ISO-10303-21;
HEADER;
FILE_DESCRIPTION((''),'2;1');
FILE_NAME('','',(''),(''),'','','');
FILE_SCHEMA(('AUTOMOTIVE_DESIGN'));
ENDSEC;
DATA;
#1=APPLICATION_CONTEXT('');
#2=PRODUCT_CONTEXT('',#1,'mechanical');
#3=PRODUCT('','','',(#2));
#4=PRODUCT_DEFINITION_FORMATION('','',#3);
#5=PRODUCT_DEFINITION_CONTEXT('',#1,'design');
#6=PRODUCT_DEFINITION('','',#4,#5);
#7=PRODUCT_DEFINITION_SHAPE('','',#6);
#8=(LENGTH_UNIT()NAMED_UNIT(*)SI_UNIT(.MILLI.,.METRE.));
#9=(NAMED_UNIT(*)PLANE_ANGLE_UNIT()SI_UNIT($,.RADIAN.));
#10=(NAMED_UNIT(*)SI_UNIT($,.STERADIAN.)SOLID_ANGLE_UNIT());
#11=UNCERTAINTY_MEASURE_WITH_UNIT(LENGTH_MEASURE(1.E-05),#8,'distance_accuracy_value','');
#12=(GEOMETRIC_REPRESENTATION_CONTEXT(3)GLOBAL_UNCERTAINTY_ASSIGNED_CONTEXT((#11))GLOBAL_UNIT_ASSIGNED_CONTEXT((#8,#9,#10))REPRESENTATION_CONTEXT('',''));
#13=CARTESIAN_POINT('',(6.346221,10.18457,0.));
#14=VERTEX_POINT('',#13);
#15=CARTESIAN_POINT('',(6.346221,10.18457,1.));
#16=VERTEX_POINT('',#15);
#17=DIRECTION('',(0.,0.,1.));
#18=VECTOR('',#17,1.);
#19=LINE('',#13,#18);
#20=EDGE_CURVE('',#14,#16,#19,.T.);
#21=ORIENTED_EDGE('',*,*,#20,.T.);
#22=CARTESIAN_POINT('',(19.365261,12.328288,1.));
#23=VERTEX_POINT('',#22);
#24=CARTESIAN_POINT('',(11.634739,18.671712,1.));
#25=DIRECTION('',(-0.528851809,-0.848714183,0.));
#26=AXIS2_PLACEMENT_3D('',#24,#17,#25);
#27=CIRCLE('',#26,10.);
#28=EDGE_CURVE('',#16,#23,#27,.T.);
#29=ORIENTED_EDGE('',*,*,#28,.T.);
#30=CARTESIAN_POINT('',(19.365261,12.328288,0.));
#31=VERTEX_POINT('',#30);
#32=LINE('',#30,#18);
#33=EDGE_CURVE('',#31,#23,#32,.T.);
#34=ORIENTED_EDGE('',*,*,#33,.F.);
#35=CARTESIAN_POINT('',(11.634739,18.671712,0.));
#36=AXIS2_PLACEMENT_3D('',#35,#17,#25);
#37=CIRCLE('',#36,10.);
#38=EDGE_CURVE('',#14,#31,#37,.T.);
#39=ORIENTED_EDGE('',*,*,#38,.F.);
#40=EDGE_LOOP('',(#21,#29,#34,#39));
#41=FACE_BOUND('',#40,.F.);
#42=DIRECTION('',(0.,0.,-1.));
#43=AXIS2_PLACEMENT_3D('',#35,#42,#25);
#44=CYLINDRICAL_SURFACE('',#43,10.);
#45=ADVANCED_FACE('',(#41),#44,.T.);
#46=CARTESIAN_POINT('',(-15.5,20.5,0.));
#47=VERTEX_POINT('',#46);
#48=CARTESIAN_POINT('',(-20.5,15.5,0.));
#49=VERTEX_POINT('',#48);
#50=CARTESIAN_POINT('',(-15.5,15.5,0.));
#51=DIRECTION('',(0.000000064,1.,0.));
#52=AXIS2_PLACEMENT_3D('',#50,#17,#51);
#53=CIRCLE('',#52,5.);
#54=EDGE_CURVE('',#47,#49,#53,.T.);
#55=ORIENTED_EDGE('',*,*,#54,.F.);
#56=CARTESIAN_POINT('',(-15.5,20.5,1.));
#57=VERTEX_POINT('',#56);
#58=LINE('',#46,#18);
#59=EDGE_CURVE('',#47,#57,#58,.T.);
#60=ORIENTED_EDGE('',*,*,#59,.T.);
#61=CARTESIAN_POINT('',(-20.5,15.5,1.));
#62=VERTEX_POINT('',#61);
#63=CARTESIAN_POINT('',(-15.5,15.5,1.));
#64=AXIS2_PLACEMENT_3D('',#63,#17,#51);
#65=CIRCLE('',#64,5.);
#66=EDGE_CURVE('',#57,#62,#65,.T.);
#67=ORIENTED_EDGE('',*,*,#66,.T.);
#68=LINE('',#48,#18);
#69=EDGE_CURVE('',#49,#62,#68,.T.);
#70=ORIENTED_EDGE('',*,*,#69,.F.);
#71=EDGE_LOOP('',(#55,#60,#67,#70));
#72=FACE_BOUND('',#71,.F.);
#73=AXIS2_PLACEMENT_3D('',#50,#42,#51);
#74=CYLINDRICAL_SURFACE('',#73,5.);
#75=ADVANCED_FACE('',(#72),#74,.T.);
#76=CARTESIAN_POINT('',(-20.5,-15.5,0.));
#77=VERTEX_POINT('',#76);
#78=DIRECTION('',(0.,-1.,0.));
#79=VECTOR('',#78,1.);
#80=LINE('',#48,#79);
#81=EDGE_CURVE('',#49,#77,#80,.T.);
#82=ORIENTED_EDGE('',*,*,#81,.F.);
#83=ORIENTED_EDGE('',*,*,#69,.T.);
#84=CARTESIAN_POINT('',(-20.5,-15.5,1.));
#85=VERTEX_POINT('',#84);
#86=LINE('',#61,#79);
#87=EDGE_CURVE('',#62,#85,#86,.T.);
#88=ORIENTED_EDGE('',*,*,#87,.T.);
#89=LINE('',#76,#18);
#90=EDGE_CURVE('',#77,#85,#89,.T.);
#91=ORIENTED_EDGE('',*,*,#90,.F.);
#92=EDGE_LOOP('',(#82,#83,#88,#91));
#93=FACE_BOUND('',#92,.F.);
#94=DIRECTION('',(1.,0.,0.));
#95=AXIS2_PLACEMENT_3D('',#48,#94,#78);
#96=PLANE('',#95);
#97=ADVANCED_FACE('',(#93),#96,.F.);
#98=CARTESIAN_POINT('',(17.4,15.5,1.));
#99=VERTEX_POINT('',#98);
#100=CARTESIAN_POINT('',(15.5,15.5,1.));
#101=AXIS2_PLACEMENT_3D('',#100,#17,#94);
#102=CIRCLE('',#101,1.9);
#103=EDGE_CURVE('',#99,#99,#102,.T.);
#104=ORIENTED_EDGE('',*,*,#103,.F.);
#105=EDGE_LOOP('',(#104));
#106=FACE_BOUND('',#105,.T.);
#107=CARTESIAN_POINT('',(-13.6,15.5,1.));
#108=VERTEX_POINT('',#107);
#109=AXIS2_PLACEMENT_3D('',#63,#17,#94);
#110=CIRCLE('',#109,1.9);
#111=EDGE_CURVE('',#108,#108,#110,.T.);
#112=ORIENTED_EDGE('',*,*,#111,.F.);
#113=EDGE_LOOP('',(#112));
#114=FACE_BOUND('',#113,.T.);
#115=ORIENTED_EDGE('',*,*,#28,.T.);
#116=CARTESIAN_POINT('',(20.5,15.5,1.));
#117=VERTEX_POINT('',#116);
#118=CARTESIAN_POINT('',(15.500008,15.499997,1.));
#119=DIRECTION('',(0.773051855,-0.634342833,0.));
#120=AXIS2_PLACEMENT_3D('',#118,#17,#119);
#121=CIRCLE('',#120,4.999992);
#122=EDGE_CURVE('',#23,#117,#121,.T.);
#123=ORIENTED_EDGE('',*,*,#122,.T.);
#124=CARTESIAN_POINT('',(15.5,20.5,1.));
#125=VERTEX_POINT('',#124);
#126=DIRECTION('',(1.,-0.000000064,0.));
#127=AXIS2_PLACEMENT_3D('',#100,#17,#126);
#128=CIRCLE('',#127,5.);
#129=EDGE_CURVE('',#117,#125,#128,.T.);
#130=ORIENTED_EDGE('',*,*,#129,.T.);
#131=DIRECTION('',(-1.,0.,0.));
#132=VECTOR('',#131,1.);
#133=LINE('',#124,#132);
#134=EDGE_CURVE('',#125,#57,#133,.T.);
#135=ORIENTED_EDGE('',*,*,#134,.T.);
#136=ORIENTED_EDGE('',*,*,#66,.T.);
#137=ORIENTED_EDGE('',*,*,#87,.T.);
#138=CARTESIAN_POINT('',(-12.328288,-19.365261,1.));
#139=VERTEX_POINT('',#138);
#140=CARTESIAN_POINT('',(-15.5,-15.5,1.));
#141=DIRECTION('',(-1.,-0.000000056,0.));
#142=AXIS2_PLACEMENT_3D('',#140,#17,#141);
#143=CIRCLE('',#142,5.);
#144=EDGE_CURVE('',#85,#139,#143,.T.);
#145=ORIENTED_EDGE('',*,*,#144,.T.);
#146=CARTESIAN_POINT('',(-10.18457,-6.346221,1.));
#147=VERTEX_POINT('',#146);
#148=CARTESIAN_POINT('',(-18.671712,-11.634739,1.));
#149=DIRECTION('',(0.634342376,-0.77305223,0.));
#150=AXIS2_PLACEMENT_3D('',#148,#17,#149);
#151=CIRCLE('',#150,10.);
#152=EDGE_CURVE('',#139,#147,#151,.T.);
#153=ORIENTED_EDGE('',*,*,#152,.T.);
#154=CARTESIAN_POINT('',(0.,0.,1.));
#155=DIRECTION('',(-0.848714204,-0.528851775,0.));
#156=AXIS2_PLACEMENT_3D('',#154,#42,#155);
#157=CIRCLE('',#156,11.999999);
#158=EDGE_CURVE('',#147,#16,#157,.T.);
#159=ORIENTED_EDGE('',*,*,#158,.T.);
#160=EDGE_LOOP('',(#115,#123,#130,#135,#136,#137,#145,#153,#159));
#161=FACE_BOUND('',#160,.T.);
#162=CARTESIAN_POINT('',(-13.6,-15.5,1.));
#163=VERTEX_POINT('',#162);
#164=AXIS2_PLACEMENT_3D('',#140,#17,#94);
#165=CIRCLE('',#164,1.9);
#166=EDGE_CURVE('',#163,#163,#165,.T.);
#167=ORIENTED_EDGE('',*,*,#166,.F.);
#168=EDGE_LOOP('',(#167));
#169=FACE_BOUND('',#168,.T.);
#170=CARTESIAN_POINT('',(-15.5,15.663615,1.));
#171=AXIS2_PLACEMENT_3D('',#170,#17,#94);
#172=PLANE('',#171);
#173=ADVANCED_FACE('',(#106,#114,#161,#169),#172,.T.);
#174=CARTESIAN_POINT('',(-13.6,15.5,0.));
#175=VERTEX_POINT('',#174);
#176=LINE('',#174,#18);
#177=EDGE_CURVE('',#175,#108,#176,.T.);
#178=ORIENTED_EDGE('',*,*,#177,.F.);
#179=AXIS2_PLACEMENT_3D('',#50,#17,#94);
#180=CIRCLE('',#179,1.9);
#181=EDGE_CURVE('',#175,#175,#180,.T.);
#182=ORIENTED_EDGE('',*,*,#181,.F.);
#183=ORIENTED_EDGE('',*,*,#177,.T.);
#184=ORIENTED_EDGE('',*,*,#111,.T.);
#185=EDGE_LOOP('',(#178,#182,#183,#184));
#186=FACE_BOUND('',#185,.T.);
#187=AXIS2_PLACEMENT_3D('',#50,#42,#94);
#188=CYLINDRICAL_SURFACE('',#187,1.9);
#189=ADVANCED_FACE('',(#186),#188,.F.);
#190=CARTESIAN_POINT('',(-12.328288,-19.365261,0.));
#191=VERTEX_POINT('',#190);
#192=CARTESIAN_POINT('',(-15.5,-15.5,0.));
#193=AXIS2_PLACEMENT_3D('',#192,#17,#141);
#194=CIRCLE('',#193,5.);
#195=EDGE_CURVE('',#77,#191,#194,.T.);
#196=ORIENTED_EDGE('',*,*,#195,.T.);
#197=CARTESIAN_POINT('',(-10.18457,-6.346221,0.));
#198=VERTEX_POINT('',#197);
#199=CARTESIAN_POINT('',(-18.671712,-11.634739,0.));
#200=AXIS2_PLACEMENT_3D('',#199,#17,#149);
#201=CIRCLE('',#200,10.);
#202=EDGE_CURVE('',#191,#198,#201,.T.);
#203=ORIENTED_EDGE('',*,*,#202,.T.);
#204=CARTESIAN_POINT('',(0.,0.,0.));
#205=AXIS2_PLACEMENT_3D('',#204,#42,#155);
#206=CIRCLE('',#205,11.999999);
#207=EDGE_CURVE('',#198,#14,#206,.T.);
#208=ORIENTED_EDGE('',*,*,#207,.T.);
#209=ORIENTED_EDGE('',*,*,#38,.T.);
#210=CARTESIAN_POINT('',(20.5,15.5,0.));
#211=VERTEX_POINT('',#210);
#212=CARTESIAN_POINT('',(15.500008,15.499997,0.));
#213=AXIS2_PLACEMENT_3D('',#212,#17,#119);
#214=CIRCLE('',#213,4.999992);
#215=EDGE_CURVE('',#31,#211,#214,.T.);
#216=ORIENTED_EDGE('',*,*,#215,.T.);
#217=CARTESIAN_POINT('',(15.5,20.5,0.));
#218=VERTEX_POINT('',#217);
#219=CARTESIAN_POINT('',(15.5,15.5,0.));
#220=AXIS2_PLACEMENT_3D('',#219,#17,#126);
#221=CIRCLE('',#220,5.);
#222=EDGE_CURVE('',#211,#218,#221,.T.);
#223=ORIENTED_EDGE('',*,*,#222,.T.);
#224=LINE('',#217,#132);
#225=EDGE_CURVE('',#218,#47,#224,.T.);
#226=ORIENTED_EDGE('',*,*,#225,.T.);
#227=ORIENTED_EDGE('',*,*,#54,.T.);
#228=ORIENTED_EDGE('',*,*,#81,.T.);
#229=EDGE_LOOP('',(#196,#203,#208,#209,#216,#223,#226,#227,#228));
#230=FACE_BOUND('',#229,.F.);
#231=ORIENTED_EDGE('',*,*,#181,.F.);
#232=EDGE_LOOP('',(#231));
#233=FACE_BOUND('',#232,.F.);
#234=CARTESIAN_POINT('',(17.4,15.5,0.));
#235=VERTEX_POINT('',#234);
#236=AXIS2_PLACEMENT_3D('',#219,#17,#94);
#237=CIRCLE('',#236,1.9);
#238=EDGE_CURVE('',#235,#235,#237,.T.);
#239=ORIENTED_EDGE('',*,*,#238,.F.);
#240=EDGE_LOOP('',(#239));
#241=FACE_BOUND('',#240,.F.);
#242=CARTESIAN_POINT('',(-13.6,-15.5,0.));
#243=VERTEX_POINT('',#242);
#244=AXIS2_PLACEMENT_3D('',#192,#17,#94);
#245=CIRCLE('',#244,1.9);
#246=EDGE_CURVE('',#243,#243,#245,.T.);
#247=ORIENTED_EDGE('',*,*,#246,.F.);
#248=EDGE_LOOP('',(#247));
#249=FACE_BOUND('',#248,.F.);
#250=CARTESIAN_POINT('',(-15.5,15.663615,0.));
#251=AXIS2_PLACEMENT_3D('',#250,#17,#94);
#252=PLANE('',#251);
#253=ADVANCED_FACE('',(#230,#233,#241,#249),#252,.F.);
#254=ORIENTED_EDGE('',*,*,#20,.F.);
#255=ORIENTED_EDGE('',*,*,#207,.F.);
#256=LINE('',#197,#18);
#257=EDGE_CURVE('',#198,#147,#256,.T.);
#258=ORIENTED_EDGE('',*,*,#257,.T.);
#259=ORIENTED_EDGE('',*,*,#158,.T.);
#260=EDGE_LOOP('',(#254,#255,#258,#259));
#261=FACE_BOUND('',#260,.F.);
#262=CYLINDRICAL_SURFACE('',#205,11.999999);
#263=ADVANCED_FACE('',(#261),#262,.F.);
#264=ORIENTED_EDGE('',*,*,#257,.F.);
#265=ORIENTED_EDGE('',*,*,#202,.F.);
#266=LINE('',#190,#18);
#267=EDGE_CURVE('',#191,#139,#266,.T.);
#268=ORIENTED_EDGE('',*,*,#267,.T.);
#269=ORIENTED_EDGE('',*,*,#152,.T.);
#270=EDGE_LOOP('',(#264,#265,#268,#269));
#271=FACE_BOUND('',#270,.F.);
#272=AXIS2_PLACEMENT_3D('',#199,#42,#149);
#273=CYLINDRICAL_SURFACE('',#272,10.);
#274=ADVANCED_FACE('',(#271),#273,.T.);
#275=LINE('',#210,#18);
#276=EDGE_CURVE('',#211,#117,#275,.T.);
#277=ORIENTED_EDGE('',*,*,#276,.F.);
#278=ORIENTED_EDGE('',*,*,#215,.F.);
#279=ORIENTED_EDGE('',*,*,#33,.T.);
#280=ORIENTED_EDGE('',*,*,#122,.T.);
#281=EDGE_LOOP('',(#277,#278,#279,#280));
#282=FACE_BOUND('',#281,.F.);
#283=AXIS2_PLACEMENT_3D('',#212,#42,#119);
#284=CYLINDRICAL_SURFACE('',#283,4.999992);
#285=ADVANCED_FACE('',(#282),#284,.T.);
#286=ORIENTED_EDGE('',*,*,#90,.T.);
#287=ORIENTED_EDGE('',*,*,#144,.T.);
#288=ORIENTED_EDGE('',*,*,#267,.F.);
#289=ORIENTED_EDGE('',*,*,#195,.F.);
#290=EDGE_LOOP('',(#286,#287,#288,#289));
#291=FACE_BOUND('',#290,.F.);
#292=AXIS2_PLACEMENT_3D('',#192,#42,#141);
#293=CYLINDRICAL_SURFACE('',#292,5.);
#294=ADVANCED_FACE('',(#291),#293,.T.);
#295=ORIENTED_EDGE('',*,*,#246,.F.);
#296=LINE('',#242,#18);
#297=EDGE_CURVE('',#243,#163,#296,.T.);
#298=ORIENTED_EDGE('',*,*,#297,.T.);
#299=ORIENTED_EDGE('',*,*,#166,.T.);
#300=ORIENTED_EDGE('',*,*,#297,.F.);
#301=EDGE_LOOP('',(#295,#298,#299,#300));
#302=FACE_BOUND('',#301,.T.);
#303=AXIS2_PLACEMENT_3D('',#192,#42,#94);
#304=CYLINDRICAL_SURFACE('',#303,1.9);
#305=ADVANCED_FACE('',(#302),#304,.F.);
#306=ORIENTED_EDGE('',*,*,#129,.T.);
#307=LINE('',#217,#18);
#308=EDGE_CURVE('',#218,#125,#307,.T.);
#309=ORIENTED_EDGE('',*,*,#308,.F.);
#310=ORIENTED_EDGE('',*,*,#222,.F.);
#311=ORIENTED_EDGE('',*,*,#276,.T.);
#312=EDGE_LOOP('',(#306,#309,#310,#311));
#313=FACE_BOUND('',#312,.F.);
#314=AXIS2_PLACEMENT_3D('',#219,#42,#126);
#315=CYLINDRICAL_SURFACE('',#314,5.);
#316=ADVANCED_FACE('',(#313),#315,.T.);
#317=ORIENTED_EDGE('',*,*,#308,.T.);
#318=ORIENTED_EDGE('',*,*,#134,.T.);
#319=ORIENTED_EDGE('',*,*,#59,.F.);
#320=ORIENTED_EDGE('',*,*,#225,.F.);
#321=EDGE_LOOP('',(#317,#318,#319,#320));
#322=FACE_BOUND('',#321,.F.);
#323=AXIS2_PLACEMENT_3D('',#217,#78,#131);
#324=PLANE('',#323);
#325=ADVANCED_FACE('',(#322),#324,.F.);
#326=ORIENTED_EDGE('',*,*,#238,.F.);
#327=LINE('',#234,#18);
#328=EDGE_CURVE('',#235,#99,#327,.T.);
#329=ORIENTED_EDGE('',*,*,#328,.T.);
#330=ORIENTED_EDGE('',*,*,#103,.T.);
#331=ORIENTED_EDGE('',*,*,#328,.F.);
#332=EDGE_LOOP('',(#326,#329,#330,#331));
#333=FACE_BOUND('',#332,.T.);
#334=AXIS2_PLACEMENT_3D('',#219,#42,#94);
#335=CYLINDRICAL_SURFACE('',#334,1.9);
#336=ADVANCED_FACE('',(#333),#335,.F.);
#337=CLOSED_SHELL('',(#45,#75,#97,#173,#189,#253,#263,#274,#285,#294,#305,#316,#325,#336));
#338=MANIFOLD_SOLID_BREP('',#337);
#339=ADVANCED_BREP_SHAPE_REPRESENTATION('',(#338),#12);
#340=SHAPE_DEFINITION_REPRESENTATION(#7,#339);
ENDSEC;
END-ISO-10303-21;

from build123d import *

# Parameters (mm, degrees)
F0_R     = 1.9
F1_DEPTH = 1


with BuildPart() as f1:
    # F0 (on Top) → F1 (new body)
    with BuildSketch(Plane.XY):
        with BuildLine():
            ThreePointArc((-10.5, 15.5), (-11.964466, 19.035534), (-15.5, 20.5))
            ThreePointArc((-15.5, 20.5), (-19.035534, 19.035534), (-20.5, 15.5))
            ThreePointArc((-20.5, 15.5), (-15.5, 10.5), (-10.5, 15.5))
        make_face()
        with Locations((-15.5, 15.5)):
            Circle(F0_R, mode=Mode.SUBTRACT)
        with BuildLine():
            ThreePointArc((19.365261, 12.328288), (10.980124, 13.362076), (15.5, 20.5))
            Line((15.5, 20.5), (-15.5, 20.5))
            ThreePointArc((-15.5, 20.5), (-11.964466, 19.035534), (-10.5, 15.5))
            ThreePointArc((-10.5, 15.5), (-15.5, 10.5), (-20.5, 15.5))
            Line((-20.5, 15.5), (-20.5, -15.5))
            ThreePointArc((-20.5, -15.5), (-15.5, -10.5), (-10.5, -15.5))
            ThreePointArc((-10.5, -15.5), (-10.980124, -17.637924), (-12.328288, -19.365261))
            ThreePointArc((-12.328288, -19.365261), (-8.804581, -13.259463), (-10.18457, -6.346221))
            ThreePointArc((-10.18457, -6.346221), (-8.485281, 8.485281), (6.346221, 10.18457))
            ThreePointArc((6.346221, 10.18457), (13.259463, 8.804581), (19.365261, 12.328288))
        make_face()
        with BuildLine():
            ThreePointArc((19.365261, 12.328288), (20.207776, 13.815705), (20.5, 15.5))
            ThreePointArc((20.5, 15.5), (19.035534, 19.035534), (15.5, 20.5))
            ThreePointArc((15.5, 20.5), (10.980124, 13.362076), (19.365261, 12.328288))
        make_face()
        with Locations((15.5, 15.5)):
            Circle(F0_R, mode=Mode.SUBTRACT)
        with BuildLine():
            ThreePointArc((-10.5, -15.5), (-15.5, -10.5), (-20.5, -15.5))
            ThreePointArc((-20.5, -15.5), (-17.637924, -20.019876), (-12.328288, -19.365261))
            ThreePointArc((-12.328288, -19.365261), (-10.980124, -17.637924), (-10.5, -15.5))
        make_face()
        with Locations((-15.5, -15.5)):
            Circle(F0_R, mode=Mode.SUBTRACT)
    extrude(amount=F1_DEPTH)


solid = f1.part
